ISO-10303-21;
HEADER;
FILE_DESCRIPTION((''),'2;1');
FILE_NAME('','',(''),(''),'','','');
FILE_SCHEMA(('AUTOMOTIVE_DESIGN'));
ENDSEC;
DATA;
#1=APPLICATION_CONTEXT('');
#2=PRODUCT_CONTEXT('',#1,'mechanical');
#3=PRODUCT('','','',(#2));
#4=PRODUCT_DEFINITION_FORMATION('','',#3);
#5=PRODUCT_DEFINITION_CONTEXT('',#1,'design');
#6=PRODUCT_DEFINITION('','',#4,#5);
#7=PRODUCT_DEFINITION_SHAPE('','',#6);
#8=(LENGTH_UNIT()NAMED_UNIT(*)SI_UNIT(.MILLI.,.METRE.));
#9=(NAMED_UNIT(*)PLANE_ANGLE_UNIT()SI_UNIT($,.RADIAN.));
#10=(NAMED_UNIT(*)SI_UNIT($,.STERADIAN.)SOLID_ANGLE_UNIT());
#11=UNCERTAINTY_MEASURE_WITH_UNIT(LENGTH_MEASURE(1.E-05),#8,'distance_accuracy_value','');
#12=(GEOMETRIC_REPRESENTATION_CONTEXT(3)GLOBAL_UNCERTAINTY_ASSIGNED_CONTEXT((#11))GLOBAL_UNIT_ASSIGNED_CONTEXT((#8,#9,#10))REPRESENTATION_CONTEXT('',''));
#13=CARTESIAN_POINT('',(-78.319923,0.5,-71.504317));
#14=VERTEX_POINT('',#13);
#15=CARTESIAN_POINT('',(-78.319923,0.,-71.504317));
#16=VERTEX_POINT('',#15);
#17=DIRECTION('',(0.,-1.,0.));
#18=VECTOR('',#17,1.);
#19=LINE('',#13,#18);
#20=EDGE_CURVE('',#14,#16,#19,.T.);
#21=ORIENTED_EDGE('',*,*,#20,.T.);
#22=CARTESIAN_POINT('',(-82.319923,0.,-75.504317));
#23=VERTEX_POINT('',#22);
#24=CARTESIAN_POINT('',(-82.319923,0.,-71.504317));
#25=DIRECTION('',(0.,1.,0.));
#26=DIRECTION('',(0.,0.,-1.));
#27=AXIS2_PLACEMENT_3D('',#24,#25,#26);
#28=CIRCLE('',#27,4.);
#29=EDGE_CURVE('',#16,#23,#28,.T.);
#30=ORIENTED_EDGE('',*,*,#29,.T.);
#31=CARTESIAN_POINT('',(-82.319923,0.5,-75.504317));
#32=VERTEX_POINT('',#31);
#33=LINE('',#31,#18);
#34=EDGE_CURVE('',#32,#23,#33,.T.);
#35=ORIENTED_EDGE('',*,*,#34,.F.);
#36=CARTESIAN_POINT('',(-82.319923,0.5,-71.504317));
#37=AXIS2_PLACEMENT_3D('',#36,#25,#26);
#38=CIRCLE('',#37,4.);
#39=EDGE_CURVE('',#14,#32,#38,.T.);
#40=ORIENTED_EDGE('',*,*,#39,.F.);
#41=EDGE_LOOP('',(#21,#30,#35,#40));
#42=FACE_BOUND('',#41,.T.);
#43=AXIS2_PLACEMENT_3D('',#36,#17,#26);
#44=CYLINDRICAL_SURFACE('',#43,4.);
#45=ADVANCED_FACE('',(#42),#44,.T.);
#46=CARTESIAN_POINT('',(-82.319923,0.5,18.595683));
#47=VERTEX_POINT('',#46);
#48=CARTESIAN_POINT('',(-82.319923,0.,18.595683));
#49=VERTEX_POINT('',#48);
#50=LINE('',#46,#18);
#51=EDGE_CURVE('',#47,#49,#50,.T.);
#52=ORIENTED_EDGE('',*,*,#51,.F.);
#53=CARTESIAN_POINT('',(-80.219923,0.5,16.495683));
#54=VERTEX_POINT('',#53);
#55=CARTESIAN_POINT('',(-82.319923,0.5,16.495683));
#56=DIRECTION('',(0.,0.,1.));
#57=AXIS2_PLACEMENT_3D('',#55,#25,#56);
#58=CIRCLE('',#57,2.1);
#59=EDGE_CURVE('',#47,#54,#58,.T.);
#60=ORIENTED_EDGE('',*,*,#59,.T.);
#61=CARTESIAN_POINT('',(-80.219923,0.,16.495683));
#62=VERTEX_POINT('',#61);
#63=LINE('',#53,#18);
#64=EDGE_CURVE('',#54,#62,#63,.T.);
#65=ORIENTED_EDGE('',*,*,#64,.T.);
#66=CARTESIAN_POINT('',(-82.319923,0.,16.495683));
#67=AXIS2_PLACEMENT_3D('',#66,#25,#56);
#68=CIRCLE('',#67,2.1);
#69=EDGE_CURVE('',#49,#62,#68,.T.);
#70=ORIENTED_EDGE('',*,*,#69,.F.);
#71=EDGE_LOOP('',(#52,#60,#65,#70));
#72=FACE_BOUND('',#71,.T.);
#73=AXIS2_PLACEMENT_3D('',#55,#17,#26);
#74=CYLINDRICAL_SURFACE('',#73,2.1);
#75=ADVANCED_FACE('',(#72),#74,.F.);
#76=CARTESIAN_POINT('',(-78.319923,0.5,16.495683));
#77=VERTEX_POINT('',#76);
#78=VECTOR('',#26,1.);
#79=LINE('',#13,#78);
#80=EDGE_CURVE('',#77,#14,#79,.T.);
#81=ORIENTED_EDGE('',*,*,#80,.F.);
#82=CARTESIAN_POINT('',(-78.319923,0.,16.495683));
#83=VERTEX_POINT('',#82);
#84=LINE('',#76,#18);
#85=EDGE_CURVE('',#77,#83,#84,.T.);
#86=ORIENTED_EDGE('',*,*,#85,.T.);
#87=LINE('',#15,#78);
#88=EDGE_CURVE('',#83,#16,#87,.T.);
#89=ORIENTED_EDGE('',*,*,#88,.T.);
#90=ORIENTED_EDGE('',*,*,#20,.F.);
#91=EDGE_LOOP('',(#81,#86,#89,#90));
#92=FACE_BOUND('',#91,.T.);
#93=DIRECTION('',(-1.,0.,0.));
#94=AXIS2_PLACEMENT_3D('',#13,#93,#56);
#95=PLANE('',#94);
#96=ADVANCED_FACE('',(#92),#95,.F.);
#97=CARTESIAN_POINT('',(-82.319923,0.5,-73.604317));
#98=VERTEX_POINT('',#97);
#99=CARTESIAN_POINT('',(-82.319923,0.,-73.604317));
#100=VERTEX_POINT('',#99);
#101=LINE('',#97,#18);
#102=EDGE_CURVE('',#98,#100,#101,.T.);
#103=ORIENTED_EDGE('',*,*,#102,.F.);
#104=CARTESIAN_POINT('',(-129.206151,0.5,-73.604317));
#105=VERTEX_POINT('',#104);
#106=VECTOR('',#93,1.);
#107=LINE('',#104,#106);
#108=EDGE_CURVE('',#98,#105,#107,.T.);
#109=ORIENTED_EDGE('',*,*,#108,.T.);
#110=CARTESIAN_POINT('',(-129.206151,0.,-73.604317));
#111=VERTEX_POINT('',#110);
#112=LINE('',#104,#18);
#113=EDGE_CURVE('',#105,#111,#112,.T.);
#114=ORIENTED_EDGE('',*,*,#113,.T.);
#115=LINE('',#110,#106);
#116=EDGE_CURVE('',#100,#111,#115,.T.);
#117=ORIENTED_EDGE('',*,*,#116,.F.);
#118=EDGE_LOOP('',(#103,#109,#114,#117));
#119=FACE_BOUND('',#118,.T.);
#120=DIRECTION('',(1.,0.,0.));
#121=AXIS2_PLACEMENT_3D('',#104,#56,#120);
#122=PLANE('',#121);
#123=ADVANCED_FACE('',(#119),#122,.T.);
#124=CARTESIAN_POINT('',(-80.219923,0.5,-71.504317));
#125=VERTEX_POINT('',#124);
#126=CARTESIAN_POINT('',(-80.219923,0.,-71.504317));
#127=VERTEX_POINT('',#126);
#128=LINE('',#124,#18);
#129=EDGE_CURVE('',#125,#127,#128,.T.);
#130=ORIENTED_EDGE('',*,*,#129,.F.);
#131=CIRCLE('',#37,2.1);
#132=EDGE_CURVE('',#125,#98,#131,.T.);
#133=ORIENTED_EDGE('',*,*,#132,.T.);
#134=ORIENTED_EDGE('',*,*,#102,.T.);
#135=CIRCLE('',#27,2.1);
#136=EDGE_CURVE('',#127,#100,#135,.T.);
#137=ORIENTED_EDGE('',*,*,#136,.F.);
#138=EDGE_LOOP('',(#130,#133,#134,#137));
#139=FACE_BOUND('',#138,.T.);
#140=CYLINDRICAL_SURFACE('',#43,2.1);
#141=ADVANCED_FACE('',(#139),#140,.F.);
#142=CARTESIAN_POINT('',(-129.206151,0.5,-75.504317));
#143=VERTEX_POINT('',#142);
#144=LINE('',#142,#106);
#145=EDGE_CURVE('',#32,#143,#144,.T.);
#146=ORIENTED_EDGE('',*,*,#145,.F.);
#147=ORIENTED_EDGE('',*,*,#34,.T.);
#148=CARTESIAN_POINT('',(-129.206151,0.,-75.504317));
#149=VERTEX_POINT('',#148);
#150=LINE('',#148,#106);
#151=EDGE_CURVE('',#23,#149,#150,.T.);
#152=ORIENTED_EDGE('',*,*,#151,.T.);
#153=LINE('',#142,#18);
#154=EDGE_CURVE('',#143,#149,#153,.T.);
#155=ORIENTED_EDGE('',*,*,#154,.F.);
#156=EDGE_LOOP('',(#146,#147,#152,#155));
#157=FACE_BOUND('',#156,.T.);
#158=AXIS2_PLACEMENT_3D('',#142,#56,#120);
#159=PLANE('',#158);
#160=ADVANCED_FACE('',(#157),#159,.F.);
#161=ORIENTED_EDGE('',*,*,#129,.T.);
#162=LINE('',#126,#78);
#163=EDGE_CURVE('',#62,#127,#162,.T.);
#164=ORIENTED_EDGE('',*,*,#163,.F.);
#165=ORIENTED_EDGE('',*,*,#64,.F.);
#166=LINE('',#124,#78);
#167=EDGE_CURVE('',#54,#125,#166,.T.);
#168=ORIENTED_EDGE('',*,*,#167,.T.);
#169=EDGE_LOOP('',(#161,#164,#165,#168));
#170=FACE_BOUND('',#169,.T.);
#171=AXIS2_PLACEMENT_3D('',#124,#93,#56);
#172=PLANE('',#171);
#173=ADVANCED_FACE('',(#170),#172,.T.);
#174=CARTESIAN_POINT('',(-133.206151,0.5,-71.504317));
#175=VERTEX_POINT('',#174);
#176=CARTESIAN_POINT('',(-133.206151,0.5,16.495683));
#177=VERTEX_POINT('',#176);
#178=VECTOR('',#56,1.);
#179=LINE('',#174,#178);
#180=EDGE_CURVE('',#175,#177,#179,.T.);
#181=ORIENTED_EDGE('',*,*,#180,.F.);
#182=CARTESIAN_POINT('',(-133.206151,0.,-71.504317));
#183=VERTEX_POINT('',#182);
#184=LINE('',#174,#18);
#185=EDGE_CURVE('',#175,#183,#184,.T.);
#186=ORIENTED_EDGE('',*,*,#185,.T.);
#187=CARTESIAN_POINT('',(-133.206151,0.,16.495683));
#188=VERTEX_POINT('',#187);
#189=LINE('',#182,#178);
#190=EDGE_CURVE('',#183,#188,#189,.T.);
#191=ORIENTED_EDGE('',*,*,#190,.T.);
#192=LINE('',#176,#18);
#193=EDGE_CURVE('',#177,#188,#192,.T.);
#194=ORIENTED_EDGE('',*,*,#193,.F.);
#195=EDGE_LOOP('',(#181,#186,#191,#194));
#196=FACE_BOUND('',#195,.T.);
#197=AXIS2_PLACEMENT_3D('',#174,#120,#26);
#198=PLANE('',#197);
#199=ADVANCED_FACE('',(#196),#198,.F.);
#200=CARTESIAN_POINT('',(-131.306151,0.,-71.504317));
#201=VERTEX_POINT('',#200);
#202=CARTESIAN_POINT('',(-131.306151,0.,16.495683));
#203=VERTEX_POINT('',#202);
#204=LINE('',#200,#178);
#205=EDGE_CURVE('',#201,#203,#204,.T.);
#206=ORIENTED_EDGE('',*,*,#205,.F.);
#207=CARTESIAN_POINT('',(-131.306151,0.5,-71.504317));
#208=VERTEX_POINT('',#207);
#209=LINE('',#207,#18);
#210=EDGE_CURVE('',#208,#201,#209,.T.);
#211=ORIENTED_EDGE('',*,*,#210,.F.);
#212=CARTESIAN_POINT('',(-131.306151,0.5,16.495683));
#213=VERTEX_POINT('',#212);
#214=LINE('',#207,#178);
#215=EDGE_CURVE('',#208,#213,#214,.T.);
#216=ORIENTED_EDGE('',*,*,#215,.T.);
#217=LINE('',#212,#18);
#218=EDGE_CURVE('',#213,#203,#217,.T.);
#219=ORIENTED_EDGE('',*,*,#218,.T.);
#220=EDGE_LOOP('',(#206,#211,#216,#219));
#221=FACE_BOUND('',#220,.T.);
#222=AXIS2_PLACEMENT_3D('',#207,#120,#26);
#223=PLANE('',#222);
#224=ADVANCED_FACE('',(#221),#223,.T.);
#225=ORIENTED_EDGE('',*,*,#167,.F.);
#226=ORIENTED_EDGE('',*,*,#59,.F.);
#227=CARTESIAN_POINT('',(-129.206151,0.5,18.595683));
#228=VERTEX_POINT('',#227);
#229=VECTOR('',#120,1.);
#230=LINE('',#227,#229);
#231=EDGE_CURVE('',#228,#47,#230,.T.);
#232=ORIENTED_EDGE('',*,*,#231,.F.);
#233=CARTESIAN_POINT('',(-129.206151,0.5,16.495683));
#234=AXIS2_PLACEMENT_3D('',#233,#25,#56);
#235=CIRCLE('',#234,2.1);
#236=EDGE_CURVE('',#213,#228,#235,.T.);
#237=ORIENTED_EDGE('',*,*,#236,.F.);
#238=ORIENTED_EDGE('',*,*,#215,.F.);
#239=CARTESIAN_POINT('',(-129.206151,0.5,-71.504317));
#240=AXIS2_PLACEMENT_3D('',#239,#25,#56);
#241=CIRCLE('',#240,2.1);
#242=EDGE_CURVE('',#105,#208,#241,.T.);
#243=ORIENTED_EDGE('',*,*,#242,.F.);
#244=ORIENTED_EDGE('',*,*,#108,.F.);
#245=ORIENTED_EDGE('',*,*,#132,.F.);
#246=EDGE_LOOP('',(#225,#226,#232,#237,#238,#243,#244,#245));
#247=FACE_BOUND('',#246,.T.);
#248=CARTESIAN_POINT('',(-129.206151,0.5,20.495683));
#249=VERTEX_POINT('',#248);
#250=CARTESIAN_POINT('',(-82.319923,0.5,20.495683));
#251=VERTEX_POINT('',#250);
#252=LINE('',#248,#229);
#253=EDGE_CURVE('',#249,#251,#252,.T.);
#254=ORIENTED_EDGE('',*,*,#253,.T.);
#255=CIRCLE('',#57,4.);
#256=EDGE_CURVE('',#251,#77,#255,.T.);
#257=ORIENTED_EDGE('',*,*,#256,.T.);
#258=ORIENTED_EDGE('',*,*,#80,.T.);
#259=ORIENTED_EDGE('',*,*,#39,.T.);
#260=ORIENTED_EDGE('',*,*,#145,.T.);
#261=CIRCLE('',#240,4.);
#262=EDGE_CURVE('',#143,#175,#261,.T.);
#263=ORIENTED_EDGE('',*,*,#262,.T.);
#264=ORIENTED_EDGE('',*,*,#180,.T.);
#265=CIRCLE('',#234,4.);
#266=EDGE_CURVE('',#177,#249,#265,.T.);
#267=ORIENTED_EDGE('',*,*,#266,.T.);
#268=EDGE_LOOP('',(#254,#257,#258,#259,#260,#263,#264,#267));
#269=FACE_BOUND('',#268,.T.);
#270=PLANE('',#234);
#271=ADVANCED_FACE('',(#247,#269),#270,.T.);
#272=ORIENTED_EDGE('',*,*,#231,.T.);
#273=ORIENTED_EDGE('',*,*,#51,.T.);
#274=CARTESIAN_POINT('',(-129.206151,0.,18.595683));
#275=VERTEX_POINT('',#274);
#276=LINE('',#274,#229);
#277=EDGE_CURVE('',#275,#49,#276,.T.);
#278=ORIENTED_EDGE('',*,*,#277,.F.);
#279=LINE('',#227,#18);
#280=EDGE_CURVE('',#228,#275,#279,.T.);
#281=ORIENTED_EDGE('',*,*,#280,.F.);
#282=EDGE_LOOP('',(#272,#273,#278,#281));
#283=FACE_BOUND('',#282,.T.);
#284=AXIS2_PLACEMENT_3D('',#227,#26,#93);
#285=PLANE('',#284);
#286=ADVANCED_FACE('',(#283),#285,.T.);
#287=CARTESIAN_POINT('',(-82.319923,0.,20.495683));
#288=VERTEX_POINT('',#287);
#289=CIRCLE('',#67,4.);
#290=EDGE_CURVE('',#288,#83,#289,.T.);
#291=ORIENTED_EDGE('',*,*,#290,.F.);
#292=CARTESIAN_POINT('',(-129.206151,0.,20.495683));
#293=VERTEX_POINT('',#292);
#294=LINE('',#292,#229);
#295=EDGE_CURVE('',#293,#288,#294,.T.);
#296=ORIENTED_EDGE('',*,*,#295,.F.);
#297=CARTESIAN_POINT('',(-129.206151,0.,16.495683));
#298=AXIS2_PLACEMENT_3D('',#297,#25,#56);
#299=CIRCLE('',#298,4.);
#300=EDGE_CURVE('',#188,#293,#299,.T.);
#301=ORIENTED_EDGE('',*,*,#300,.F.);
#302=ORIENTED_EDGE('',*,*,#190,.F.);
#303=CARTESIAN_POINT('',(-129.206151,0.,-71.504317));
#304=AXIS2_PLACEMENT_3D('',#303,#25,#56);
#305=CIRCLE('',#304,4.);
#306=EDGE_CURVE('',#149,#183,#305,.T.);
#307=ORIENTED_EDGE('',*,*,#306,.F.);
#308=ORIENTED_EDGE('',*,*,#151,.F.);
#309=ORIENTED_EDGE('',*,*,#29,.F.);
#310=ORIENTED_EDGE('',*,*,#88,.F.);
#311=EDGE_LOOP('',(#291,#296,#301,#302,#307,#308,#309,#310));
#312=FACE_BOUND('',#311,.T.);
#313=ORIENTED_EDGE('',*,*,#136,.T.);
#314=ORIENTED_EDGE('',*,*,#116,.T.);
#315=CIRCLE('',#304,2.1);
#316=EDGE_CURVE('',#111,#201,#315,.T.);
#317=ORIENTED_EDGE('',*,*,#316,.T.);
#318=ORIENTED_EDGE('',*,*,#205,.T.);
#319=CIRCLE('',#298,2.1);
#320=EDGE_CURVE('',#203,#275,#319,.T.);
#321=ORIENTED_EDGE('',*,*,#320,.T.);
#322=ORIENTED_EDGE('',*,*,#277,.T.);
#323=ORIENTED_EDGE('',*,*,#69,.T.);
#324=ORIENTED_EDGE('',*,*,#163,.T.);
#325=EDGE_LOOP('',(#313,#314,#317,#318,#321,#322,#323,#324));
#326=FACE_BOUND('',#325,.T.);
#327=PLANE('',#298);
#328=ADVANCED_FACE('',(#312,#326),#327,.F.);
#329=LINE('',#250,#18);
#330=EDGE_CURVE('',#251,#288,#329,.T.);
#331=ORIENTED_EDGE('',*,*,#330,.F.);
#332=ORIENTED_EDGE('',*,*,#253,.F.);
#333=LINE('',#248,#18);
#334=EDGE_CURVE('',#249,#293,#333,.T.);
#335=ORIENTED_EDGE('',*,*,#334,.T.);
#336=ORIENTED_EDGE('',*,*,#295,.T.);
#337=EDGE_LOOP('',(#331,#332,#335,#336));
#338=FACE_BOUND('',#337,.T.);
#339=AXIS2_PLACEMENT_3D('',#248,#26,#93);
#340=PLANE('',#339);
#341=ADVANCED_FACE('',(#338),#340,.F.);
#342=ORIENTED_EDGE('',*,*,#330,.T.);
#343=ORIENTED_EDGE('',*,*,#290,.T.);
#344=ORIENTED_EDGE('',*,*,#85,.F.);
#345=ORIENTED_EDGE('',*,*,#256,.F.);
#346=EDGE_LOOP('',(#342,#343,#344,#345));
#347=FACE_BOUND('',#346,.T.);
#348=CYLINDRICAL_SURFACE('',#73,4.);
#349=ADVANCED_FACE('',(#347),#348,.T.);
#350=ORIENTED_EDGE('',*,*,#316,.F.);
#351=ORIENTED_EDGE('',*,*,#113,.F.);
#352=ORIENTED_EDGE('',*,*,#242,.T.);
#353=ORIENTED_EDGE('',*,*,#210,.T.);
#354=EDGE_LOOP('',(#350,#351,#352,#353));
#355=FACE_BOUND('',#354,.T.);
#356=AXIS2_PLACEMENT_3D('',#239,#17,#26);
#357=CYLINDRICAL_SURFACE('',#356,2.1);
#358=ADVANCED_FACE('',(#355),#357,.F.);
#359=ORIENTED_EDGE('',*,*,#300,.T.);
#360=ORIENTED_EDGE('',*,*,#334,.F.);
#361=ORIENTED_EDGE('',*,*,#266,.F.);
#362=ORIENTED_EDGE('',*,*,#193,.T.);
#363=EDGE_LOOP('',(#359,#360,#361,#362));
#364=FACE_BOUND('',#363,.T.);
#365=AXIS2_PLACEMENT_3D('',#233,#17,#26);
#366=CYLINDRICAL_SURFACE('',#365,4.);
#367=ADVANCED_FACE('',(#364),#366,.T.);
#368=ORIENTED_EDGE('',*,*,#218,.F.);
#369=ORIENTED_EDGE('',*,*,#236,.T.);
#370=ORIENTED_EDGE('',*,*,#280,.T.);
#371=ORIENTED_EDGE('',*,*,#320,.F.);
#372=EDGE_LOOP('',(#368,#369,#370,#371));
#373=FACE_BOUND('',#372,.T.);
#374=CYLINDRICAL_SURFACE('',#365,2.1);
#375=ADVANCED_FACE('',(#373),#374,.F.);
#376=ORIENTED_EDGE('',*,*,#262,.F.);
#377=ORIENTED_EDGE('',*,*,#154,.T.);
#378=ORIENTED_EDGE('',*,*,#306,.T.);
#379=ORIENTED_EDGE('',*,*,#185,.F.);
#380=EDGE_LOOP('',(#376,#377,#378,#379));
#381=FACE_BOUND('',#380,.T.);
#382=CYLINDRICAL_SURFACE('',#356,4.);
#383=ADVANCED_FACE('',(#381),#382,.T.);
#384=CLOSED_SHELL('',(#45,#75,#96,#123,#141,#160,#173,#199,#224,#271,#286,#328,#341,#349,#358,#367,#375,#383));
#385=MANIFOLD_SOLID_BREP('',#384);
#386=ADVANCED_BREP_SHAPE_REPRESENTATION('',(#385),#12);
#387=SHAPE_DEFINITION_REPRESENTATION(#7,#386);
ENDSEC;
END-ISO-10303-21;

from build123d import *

# Parameters (mm, degrees)
BOSS_EXTRUDE1_DEPTH = 0.5


with BuildPart() as part:
    # Sketch1 → Boss-Extrude1 (new body)
    with BuildSketch(Plane(origin=(0, 0, 0), x_dir=(1, 0, 0), z_dir=(0, 1, 0))):
        with BuildLine():
            Line((-129.206151025, 75.504317386), (-82.319923368, 75.504317386))
            ThreePointArc((-82.319923368, 75.504317386), (-79.491496243, 74.332744511), (-78.319923368, 71.504317386))
            Line((-78.319923368, 71.504317386), (-78.319923368, -16.495682614))
            ThreePointArc((-78.319923368, -16.495682614), (-79.491496243, -19.324109739), (-82.319923368, -20.495682614))
            Line((-82.319923368, -20.495682614), (-129.206151025, -20.495682614))
            ThreePointArc((-129.206151025, -20.495682614), (-132.03457815, -19.324109739), (-133.206151025, -16.495682614))
            Line((-133.206151025, -16.495682614), (-133.206151025, 71.504317386))
            ThreePointArc((-133.206151025, 71.504317386), (-132.03457815, 74.332744511), (-129.206151025, 75.504317386))
        make_face()
        with BuildLine():
            Line((-131.306151025, 71.504317386), (-131.306151025, -16.495682614))
            ThreePointArc((-131.306151025, -16.495682614), (-130.691075266, -17.980606854), (-129.206151025, -18.595682614))
            Line((-129.206151025, -18.595682614), (-82.319923368, -18.595682614))
            ThreePointArc((-82.319923368, -18.595682614), (-80.834999127, -17.980606854), (-80.219923368, -16.495682614))
            Line((-80.219923368, -16.495682614), (-80.219923368, 71.504317386))
            ThreePointArc((-80.219923368, 71.504317386), (-80.834999127, 72.989241627), (-82.319923368, 73.604317386))
            Line((-82.319923368, 73.604317386), (-129.206151025, 73.604317386))
            ThreePointArc((-129.206151025, 73.604317386), (-130.691075266, 72.989241627), (-131.306151025, 71.504317386))
        make_face(mode=Mode.SUBTRACT)
    extrude(amount=BOSS_EXTRUDE1_DEPTH)


solid = part.part
